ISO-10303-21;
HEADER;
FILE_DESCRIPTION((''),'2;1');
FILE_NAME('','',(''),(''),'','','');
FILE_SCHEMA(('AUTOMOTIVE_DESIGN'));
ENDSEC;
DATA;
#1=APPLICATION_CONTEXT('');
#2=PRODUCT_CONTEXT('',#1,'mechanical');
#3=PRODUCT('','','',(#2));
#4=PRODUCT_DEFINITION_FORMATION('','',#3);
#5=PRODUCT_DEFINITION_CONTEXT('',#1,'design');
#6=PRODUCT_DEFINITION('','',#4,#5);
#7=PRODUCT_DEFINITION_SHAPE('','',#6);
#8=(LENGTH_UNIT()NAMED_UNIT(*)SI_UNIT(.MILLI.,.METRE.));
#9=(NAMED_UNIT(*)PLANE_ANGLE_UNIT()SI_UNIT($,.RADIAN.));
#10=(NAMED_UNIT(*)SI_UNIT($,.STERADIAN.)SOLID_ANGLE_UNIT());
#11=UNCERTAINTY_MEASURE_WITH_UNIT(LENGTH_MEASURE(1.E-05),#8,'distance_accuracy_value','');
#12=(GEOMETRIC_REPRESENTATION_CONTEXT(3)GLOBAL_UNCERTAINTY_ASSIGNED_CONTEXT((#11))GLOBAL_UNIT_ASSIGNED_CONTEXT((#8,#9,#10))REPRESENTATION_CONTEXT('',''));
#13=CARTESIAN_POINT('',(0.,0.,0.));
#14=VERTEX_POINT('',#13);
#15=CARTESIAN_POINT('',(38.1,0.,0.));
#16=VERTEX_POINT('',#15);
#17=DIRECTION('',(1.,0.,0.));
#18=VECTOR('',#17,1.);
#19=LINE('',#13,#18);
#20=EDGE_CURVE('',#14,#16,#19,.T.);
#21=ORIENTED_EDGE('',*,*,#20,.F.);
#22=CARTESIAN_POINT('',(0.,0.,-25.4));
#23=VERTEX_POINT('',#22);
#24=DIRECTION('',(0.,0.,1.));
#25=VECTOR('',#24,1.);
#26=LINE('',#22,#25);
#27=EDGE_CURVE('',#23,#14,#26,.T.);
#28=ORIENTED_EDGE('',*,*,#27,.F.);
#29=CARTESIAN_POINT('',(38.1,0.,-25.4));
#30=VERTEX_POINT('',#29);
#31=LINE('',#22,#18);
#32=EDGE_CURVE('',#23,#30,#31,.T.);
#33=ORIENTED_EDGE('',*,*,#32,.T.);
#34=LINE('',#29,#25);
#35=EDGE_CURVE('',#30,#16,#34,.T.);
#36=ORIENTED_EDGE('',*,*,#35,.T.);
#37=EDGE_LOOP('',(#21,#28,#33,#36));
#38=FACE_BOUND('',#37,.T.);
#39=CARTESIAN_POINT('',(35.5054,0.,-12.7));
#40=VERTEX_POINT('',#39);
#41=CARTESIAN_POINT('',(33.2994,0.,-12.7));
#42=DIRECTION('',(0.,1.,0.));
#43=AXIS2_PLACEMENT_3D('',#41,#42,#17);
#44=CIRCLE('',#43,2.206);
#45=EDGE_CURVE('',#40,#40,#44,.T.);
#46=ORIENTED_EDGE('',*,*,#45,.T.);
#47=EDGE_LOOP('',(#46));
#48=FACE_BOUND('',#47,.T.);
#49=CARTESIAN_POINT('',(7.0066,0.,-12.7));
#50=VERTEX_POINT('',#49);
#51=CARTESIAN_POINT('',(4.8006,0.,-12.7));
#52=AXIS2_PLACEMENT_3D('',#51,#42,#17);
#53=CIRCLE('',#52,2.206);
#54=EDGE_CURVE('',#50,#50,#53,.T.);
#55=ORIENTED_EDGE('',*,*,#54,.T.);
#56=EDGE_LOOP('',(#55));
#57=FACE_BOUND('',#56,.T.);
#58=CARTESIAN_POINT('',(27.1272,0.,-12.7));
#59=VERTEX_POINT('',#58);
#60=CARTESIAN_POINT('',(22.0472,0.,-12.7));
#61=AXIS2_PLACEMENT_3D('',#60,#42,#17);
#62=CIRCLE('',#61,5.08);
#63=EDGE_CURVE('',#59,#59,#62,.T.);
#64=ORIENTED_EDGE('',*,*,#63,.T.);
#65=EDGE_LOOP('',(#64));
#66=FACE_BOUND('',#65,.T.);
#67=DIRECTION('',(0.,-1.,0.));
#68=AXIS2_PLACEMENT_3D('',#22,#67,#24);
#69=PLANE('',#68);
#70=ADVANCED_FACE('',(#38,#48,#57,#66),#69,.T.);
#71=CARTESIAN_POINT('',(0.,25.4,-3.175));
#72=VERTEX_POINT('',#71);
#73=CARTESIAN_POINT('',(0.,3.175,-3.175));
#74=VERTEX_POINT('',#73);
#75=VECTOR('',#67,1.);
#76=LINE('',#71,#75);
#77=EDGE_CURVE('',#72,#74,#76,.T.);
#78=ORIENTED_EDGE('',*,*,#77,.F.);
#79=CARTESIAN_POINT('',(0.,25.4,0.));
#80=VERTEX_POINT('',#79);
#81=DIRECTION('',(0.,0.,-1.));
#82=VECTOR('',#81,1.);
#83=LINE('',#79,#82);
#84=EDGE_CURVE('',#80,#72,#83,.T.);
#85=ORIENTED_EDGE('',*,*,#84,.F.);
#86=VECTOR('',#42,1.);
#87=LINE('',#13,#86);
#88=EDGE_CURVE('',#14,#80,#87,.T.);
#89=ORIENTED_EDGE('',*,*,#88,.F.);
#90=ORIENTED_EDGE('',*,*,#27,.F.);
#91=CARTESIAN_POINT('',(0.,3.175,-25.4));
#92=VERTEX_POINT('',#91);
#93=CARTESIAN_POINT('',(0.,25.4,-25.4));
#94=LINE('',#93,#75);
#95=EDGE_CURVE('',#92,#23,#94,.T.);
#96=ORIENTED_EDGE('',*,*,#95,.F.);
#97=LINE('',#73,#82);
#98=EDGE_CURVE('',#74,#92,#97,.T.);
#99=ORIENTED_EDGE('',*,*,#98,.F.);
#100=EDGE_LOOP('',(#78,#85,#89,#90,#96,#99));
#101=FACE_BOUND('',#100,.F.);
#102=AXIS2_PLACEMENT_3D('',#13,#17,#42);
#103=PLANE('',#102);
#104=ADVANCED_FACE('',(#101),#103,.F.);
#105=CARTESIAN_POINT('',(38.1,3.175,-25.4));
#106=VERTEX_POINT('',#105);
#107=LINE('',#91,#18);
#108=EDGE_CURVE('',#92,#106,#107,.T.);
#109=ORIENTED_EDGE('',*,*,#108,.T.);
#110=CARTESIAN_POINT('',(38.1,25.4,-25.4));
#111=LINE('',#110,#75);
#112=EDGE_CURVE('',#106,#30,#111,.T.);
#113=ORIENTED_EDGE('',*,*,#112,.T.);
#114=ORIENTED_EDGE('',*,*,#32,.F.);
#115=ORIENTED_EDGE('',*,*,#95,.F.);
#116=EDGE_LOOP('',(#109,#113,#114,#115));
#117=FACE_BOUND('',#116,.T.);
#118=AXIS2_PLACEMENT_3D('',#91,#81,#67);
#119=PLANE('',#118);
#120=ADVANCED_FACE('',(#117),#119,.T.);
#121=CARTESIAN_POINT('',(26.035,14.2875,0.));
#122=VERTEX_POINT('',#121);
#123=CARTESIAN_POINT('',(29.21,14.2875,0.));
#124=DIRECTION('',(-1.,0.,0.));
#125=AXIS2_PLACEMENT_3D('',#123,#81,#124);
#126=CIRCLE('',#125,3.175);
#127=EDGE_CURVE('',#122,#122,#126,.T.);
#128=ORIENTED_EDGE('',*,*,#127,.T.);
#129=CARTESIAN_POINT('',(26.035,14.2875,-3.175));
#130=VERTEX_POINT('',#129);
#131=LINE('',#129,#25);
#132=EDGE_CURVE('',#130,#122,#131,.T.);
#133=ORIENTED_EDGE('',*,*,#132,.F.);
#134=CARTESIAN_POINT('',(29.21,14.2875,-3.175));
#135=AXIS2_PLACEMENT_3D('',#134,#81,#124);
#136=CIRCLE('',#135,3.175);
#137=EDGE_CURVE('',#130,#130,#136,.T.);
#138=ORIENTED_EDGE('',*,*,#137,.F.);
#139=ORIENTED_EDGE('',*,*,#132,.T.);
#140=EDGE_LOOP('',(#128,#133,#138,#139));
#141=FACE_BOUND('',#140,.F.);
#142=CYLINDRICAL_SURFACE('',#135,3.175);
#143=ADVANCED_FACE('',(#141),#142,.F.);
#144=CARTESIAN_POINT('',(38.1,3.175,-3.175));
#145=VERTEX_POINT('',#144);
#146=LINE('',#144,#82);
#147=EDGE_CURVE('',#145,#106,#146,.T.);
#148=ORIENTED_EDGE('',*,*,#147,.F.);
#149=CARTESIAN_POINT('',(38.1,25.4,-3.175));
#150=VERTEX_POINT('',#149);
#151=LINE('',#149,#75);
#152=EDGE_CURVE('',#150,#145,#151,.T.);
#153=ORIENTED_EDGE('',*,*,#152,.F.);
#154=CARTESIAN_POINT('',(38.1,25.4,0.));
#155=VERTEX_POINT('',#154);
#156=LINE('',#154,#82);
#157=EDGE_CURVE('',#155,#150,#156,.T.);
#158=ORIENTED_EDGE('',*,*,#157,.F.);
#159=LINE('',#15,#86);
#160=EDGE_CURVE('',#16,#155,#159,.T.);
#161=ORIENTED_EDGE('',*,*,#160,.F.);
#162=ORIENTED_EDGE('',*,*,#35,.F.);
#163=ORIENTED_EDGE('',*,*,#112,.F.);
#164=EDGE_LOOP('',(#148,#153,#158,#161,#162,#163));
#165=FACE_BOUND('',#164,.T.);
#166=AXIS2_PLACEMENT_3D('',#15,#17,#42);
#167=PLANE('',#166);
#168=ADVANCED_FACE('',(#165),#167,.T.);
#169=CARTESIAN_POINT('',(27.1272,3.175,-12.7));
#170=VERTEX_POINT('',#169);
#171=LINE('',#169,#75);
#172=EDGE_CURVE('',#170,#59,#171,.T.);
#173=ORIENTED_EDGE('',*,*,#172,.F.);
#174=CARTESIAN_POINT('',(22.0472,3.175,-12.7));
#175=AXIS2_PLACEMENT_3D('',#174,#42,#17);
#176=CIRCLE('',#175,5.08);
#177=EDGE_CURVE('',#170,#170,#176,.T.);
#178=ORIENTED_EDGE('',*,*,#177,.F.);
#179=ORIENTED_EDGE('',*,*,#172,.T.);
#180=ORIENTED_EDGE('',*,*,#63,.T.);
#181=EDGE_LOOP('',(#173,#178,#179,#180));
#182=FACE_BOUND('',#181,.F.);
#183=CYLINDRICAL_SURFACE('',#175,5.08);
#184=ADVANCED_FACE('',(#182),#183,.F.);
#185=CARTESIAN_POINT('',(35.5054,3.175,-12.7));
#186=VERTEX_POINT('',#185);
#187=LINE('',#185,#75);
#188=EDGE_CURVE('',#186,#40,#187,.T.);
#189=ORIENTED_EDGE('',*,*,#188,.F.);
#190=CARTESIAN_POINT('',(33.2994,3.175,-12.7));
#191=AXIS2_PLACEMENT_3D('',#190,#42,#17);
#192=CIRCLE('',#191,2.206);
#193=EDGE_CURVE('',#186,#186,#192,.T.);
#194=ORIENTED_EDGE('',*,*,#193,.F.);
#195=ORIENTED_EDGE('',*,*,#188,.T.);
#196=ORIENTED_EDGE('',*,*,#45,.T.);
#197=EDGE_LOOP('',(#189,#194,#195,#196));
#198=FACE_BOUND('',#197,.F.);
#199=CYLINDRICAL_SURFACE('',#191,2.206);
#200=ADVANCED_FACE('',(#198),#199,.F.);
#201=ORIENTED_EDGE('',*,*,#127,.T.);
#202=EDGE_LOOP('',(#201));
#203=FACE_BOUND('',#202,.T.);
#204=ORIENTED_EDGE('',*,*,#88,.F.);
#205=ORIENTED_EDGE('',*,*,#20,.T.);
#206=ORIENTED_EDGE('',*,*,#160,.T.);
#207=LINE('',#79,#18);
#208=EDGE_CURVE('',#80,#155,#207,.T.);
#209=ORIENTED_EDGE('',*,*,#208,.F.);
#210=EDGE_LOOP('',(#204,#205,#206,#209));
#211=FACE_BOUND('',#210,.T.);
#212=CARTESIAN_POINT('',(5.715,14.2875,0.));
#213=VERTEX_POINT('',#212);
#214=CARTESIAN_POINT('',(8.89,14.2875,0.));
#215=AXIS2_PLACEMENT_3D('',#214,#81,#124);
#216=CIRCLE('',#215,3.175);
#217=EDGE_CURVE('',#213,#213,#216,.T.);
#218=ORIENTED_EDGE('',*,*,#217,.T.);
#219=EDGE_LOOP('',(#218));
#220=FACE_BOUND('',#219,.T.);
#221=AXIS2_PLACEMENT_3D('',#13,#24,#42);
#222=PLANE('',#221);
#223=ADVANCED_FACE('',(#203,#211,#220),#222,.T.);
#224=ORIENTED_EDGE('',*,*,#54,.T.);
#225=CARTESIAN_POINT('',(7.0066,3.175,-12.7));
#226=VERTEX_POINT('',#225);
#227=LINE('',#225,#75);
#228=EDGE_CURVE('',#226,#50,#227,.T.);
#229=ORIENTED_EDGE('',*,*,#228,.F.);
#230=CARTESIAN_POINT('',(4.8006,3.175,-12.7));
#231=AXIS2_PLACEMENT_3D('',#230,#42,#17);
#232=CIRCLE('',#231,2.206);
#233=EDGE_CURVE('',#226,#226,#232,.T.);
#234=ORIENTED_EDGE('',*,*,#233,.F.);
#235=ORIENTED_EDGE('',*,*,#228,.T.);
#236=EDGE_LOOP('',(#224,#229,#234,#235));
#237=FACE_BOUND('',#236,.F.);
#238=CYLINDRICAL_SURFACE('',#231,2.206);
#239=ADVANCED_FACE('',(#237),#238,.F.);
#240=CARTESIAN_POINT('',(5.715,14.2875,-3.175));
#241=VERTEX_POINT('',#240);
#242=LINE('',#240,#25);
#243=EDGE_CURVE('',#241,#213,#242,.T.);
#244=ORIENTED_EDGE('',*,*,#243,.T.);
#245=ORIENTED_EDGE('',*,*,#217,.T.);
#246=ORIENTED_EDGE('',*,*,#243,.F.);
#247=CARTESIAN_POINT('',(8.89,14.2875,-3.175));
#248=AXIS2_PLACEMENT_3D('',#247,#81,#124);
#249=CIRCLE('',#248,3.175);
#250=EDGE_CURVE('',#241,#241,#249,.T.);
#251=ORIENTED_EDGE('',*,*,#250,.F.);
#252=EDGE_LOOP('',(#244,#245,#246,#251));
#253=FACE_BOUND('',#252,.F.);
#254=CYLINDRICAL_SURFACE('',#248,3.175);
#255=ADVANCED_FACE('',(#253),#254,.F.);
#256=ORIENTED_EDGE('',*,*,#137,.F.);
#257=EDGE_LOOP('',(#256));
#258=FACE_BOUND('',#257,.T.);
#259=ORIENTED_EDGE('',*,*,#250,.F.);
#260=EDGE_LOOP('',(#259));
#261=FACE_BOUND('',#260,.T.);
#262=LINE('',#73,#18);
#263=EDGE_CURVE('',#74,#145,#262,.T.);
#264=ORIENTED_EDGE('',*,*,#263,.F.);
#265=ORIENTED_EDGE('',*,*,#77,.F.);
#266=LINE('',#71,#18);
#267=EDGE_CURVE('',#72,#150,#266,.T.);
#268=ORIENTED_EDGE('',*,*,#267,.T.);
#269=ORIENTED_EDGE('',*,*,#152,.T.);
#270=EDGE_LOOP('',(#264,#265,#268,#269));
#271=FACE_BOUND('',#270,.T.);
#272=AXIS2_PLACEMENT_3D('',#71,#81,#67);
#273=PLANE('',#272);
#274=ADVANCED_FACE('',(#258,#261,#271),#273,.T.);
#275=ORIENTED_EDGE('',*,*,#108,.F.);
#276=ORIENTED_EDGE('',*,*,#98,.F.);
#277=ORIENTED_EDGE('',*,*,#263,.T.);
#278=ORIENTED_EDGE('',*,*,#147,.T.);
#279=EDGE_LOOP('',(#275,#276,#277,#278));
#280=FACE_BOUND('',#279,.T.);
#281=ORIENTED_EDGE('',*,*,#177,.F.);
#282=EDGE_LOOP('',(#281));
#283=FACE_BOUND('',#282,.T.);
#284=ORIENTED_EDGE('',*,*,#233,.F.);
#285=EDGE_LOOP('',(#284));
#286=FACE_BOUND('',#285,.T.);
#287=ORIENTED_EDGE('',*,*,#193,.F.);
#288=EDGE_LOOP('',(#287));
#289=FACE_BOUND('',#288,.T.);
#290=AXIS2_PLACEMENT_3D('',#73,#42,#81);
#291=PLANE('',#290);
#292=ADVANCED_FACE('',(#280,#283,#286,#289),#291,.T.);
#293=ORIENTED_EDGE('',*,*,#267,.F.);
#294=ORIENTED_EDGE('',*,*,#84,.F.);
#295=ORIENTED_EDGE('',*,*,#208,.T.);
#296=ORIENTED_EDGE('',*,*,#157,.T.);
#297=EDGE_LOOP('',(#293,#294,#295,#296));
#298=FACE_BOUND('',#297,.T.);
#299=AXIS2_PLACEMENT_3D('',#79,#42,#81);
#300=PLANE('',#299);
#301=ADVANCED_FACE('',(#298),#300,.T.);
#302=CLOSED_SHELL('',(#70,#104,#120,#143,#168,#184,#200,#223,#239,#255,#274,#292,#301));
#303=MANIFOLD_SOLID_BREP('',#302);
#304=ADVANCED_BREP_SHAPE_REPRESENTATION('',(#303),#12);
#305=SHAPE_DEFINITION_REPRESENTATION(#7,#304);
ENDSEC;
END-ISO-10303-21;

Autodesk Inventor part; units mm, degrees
ref_plane "YZ Plane" through (0, 0, 0) normal (1, 0, 0) x (0, 1, 0)
ref_plane "XZ Plane" through (0, 0, 0) normal (0, 1, 0) x (-1, 0, 0)
ref_plane "XY Plane" through (0, 0, 0) normal (0, 0, 1) x (1, 0, 0)
sketch "Sketch1" plane through (0, 0, 0) normal (1, 0, 0) x (0, 1, 0)
  line L0 (0, 0) -> (25.4, 0)
  line L1 (25.4, 0) -> (25.4, -25.4)
  line L2 (25.4, -25.4) -> (0, -25.4)
  line L3 (0, -25.4) -> (0, 0)
  line L4 (0, -25.4) -> (3.175, -25.4)
  line L5 (25.4, 0) -> (25.4, -3.175)
  line L6 (25.4, -3.175) -> (3.175, -3.175)
  line L7 (3.175, -3.175) -> (3.175, -25.4)
  dimension "d0" = 25.4
  dimension "d1" = 25.4
  dimension "d2" = 3.175
  dimension "d3" = 3.175
extrude "Extrusion1" add sketch "Sketch1" along normal blind 38.1 contours L0 L1 L6 L7 L2 L3
sketch "Sketch2" plane through (0, 3.175, -3.175) normal (0, 1, 0) x (1, 0, 0)
  line L0 (0, -3.175) -> (0, 22.225) construction
  line L1 (0, 22.225) -> (0, -3.175) construction
  line L2 (0, 9.525) -> (38.1, 9.525) construction
  line L3 (38.1, -3.175) -> (38.1, 22.225) construction
  circle A0 centre (4.8006, 9.525) radius 2.206
  circle A1 centre (33.2994, 9.525) radius 2.206
  line L4 (33.2994, 9.525) -> (19.05, 9.525) construction
  line L5 (19.05, 9.525) -> (4.8006, 9.525) construction
  line L6 (4.8006, 9.525) -> (22.0472, 9.525) construction
  circle A2 centre (22.0472, 9.525) radius 5.08
  dimension "d6" = 25.4
  dimension "d7" = 14.2494
  dimension "d8" = 14.2494
  dimension "d11" = 4.412
  dimension "d12" = 4.412
  dimension "d15" = 10.16
  dimension "d23" = 11.2522
extrude "Extrusion2" cut sketch "Sketch2" against normal blind 38.1
sketch "Sketch3" plane through (0, 3.175, -3.175) normal (0, 0, -1) x (-1, 0, 0)
  line L0 (0, 22.225) -> (0, -3.175) construction
  line L1 (0, 22.225) -> (0, 0) construction
  line L2 (0, 11.1125) -> (-38.1, 11.1125) construction
  line L3 (-38.1, 0) -> (-38.1, 22.225) construction
  circle A0 centre (-29.21, 11.1125) radius 3.175
  circle A1 centre (-8.89, 11.1125) radius 3.175
  line L4 (-19.05, 11.1125) -> (-19.05, 13.4043) construction
  dimension "d16" = 22.225
  dimension "d17" = 10.16
  dimension "d18" = 10.16
  dimension "d19" = 6.35
  dimension "d20" = 6.35
extrude "Extrusion3" cut sketch "Sketch3" against normal blind 38.1
equation "\"d0\" = d1"
equation "\"d8\" = d7"
equation "\"d12\" = d11"
equation "\"d18\" = d17"
equation "\"d20\" = d19"
properties part number "bumper bracket" material "Aluminum 6061"
